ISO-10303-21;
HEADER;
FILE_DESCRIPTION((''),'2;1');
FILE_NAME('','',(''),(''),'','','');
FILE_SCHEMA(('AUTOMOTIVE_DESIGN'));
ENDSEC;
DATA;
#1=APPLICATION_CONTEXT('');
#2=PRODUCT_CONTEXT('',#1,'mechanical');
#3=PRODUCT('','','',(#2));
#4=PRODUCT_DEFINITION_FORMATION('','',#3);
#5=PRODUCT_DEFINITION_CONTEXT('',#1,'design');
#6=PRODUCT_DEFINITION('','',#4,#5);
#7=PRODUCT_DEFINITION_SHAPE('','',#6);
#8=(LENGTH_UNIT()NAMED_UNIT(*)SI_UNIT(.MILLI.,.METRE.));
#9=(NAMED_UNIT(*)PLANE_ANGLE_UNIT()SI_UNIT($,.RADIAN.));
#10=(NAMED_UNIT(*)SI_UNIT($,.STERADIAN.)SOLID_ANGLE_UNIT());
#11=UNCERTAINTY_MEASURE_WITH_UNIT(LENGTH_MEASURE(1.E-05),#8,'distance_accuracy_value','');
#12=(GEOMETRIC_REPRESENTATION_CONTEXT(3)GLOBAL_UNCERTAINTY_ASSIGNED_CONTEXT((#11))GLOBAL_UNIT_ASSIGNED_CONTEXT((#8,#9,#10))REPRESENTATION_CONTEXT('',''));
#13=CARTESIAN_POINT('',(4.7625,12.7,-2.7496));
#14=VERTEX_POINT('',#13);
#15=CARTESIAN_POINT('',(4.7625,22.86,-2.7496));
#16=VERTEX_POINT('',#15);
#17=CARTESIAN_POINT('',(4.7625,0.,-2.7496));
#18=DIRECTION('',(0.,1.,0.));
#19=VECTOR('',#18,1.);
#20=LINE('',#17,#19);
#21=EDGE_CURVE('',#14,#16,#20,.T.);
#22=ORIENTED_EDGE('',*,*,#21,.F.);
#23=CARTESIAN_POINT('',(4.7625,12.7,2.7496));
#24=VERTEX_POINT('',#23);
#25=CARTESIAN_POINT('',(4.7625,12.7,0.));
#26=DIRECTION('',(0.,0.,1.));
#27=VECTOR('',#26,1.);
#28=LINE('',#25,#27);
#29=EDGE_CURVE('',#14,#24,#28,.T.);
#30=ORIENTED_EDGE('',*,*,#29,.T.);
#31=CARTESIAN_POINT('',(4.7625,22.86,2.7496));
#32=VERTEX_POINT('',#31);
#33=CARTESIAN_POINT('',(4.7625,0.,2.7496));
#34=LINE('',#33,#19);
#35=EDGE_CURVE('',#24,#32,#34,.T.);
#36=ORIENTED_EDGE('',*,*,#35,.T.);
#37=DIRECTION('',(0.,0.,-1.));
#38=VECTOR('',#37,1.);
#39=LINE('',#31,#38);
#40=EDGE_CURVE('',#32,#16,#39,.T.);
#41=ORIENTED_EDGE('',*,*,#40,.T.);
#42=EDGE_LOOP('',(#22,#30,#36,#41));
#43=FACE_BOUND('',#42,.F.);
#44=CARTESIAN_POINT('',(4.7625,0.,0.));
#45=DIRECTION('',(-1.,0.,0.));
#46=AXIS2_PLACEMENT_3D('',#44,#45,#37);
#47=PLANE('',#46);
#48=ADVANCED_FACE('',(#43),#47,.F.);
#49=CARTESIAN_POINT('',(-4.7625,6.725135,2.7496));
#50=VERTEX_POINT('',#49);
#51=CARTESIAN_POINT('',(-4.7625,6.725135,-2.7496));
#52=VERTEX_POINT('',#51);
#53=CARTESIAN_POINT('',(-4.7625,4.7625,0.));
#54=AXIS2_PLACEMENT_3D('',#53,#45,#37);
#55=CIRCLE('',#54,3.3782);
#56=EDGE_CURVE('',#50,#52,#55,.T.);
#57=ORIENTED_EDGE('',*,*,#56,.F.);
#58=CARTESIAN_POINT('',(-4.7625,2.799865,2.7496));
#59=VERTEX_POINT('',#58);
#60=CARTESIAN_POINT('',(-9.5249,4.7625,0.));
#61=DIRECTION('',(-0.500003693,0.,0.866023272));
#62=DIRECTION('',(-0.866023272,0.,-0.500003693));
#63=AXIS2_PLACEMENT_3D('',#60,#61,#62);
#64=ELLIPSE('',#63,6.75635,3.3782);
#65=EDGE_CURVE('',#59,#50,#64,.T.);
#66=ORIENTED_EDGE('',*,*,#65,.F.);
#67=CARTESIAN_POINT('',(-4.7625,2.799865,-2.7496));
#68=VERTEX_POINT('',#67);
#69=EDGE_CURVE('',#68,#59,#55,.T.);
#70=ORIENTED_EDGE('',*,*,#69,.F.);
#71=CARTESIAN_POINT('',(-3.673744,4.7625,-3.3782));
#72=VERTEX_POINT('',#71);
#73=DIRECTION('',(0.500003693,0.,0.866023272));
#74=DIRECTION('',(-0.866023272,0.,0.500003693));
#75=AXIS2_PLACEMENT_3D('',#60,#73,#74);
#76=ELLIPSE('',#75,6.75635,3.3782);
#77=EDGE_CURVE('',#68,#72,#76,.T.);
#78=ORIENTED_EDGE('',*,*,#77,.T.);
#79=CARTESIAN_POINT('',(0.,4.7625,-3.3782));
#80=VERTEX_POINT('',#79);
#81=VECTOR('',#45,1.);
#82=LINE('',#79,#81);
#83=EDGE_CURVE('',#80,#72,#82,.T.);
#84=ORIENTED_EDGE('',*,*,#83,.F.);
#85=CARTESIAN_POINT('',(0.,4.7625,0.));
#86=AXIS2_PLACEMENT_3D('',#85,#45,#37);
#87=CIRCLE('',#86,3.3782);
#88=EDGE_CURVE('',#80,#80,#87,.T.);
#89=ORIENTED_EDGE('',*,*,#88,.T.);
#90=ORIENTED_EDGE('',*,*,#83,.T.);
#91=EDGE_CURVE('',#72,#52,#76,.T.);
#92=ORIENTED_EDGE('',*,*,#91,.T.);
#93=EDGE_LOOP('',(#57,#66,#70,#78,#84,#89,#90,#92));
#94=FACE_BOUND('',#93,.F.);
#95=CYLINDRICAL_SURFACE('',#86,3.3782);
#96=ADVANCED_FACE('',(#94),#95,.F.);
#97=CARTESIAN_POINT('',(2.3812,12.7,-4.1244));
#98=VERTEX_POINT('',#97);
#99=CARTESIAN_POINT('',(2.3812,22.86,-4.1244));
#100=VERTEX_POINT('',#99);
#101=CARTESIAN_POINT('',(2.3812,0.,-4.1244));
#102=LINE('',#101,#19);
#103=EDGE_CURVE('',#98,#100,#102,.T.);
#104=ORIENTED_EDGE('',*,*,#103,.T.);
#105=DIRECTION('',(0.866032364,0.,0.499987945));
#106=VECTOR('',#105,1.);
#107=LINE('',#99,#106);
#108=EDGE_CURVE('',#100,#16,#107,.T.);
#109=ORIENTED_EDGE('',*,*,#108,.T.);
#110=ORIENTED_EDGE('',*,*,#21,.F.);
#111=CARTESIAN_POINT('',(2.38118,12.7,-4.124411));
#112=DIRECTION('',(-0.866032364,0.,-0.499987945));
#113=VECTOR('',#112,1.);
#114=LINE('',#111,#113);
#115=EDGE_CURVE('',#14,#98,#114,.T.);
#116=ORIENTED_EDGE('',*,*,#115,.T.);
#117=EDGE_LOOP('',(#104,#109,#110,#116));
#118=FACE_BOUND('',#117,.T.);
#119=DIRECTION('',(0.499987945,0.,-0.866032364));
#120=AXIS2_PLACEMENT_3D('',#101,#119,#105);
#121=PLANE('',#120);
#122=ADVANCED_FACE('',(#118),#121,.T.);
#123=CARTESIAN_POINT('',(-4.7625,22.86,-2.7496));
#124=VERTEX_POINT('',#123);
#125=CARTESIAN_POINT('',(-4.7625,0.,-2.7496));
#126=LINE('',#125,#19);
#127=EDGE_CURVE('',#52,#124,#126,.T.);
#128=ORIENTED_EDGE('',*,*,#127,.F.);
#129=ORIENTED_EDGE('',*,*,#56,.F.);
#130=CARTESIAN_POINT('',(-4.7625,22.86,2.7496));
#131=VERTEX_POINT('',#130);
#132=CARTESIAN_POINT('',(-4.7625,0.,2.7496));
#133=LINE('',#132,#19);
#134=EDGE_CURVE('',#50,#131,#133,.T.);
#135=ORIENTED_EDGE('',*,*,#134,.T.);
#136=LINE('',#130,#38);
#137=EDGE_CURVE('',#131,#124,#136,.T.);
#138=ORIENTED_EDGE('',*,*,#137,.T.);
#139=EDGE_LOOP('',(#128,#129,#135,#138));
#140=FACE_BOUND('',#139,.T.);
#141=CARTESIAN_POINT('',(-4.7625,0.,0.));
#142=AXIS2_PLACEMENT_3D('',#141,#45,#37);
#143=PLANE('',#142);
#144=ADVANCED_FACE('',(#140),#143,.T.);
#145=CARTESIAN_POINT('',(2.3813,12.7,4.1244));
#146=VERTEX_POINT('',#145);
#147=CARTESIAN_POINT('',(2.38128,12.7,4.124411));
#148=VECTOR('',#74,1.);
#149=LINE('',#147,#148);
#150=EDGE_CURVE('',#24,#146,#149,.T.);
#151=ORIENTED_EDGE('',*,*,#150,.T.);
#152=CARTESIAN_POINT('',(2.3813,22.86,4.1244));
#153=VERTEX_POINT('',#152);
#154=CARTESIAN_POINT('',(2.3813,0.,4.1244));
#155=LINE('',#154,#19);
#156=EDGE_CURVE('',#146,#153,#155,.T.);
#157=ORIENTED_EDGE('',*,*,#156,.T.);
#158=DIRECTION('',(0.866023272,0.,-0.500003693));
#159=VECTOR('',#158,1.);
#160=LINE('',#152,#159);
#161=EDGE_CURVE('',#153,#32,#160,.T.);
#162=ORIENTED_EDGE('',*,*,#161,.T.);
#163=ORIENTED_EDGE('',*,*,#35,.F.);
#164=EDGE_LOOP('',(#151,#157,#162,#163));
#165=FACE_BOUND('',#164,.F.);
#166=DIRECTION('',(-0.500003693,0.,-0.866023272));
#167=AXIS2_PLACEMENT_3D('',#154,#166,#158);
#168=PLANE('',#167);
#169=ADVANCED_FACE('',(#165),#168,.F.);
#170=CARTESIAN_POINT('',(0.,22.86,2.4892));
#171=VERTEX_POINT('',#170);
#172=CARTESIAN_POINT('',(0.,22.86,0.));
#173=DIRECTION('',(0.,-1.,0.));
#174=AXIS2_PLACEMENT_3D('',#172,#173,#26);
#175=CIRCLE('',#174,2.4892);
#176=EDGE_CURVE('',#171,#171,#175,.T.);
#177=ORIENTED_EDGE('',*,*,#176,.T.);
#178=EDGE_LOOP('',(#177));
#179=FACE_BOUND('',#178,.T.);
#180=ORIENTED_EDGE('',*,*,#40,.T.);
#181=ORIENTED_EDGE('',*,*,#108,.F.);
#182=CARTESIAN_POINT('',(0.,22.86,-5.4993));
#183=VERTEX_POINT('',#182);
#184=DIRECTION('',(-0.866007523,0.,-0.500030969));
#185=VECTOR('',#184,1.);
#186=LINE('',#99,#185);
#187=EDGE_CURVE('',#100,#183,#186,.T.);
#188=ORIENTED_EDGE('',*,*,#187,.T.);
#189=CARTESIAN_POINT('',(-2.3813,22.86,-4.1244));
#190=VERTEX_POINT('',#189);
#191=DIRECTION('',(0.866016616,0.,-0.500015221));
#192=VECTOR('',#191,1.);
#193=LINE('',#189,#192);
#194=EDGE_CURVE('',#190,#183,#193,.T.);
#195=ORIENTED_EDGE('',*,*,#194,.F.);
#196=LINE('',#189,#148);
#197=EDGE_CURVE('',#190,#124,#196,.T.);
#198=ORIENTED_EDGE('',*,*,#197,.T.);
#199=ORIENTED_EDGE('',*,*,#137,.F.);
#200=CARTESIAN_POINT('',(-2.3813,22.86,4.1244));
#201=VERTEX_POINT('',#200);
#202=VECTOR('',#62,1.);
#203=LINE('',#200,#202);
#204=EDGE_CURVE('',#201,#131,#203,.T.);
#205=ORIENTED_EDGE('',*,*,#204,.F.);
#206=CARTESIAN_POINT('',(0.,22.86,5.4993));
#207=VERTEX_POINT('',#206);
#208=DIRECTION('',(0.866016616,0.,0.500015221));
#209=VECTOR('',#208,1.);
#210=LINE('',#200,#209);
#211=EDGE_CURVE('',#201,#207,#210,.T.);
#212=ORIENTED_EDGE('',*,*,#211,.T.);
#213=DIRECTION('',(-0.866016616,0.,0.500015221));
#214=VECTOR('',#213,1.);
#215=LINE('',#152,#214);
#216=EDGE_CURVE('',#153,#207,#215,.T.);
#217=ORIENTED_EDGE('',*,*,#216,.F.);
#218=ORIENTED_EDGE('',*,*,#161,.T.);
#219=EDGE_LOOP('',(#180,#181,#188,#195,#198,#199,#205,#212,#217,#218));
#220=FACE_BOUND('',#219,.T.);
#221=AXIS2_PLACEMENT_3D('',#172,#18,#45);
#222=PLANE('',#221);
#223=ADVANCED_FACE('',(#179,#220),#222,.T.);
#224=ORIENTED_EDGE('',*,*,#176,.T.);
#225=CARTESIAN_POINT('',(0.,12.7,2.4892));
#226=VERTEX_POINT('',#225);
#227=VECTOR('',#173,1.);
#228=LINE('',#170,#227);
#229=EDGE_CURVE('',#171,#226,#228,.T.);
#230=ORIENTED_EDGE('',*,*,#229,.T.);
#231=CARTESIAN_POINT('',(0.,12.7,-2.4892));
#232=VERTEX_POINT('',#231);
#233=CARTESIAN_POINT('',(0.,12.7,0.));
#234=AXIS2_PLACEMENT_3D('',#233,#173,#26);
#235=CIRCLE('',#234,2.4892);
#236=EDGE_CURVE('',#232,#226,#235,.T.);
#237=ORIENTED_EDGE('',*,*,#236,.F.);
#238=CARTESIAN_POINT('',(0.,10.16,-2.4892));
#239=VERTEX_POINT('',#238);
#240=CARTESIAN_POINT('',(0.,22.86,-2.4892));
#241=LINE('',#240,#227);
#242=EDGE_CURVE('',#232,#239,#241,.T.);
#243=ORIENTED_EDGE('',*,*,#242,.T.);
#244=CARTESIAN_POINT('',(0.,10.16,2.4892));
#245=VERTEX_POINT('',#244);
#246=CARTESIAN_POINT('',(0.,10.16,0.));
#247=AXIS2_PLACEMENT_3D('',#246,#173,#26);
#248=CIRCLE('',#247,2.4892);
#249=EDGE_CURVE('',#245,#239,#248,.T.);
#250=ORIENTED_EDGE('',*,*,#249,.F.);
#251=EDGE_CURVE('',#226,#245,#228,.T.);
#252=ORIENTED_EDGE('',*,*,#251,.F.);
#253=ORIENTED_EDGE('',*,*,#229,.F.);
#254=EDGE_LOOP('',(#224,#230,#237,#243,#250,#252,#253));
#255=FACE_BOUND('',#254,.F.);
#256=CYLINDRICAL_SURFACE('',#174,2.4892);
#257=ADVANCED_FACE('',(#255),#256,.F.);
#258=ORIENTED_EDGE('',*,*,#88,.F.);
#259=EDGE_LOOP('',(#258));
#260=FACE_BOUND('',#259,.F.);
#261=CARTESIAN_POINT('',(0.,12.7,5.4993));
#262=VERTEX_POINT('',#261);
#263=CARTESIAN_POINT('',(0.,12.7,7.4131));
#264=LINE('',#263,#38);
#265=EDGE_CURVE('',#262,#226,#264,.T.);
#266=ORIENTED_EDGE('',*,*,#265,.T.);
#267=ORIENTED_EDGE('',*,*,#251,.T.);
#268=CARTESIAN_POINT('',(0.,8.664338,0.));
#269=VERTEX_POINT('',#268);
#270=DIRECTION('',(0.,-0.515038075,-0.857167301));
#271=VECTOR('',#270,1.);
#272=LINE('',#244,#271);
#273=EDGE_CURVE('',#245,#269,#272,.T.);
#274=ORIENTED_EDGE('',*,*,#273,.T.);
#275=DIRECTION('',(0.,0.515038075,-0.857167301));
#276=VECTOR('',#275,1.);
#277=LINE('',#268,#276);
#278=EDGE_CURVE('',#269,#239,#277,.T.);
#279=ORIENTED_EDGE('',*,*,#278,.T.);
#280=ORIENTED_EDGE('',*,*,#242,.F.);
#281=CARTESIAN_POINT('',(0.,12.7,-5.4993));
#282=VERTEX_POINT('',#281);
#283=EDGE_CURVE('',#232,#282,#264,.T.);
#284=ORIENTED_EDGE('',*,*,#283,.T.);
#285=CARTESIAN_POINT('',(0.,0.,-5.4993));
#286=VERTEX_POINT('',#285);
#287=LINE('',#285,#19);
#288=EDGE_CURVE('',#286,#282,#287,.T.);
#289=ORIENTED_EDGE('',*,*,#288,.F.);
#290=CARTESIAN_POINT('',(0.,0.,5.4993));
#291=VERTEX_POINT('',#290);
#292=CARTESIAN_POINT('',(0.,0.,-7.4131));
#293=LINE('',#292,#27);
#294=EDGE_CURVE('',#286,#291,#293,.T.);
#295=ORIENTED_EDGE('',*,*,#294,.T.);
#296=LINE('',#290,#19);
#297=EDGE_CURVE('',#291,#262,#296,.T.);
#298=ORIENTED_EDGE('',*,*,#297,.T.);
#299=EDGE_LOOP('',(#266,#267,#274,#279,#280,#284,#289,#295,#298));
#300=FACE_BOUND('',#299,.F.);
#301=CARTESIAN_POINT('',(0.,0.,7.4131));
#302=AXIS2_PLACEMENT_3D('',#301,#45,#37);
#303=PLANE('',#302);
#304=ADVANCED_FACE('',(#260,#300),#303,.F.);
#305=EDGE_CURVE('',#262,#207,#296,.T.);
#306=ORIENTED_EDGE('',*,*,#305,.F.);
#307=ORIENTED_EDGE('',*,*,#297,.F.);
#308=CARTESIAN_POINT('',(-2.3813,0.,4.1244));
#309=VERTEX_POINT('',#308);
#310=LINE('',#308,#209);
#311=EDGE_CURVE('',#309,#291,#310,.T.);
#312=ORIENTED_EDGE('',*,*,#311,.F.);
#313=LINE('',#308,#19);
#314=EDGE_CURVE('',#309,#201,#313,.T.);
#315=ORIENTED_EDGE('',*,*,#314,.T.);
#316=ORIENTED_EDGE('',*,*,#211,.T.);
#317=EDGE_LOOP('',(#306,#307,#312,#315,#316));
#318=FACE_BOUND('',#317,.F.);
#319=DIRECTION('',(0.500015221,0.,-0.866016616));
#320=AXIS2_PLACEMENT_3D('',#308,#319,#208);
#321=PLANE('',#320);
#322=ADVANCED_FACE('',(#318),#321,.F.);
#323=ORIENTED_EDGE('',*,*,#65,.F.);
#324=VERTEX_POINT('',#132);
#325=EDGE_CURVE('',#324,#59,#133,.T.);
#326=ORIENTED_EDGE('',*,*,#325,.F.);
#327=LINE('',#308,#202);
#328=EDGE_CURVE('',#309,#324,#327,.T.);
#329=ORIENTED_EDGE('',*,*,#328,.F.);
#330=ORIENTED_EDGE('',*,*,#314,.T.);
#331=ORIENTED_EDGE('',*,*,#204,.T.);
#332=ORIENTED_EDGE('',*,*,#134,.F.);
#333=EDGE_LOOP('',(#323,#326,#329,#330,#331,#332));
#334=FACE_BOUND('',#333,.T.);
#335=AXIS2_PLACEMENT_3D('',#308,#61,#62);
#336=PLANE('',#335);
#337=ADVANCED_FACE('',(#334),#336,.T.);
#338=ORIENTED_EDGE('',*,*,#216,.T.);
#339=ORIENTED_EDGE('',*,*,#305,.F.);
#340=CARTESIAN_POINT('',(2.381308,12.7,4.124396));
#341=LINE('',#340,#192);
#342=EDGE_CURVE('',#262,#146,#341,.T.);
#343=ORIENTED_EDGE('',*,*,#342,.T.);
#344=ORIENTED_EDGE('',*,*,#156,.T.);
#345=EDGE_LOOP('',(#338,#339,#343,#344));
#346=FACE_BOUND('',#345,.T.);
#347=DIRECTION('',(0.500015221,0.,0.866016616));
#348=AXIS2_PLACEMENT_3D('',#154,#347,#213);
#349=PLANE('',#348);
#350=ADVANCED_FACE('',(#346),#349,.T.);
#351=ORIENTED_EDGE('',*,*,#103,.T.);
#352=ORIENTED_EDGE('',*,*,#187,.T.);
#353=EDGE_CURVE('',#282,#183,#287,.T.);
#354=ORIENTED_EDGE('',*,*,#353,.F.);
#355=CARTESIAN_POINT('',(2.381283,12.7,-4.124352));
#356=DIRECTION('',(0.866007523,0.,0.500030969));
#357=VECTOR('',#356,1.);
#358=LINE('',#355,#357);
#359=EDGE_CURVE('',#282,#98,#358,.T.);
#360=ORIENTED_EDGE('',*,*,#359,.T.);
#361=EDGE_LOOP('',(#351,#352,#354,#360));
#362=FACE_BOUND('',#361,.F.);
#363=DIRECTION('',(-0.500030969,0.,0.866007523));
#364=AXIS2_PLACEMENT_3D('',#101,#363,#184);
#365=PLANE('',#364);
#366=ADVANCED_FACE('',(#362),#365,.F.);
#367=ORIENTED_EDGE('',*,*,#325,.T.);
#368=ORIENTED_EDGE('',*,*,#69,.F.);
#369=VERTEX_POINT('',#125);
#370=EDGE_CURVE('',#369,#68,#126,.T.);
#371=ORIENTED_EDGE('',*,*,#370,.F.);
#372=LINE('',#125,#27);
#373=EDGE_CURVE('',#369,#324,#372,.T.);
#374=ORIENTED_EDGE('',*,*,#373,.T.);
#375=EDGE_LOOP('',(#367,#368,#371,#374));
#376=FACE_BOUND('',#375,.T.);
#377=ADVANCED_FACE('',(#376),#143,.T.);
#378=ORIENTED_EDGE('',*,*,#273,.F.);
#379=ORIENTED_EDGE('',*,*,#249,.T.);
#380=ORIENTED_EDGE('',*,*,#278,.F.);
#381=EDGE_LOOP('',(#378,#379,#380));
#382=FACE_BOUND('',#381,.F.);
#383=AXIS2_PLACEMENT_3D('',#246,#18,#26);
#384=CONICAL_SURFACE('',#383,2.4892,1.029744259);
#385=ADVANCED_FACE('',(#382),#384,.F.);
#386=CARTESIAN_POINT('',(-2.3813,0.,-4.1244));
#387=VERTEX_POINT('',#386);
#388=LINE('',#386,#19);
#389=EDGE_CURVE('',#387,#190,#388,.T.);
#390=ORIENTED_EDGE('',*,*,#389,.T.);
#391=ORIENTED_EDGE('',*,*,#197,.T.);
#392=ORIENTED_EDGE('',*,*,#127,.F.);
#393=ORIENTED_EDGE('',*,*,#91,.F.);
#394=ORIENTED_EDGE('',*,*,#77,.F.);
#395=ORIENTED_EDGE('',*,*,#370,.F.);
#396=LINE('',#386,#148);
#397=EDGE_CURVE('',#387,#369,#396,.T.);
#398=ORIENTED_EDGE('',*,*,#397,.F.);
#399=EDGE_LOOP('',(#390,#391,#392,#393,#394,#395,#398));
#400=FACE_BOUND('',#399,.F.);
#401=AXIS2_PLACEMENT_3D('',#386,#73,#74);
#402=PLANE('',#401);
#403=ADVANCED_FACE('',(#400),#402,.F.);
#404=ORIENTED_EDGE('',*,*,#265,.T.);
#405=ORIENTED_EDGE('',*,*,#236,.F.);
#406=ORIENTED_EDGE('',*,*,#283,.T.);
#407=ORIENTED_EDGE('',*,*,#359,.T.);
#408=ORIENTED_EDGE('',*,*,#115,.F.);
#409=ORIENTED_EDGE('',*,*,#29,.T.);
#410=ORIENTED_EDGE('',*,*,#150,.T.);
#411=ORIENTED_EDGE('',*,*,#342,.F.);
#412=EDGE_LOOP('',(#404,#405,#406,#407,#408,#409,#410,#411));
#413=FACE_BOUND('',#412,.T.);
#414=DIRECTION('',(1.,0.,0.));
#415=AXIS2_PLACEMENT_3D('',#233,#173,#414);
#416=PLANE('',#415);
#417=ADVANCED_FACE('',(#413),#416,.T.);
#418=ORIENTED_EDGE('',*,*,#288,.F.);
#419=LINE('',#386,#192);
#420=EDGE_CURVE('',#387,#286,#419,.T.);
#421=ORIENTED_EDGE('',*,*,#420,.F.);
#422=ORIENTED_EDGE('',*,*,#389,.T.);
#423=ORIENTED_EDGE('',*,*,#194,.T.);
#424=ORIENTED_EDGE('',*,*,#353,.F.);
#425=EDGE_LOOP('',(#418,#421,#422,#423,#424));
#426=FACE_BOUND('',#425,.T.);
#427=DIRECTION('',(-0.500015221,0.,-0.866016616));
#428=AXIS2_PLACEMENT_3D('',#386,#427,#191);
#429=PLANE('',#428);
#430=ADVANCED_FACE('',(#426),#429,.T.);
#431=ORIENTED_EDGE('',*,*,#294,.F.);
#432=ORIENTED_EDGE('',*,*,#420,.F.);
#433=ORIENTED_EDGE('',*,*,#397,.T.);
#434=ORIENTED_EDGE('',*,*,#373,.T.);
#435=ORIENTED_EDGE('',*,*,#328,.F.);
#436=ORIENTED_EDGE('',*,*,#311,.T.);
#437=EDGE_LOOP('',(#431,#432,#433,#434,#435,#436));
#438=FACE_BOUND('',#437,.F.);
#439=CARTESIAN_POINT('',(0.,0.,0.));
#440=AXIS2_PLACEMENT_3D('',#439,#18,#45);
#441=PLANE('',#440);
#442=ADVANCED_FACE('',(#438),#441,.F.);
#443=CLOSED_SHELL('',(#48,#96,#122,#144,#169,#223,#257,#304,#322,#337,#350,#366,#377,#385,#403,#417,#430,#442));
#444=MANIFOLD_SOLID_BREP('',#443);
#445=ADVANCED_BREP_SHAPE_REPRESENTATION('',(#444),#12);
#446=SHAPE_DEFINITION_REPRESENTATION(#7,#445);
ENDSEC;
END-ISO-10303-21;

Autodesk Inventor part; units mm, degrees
ref_plane "YZ Plane" through (0, 0, 0) normal (1, 0, 0) x (0, 1, 0)
ref_plane "XZ Plane" through (0, 0, 0) normal (0, 1, 0) x (-1, 0, 0)
ref_plane "XY Plane" through (0, 0, 0) normal (0, 0, 1) x (1, 0, 0)
sketch "Sketch1" plane through (0, 0, 0) normal (0, 1, 0) x (-1, 0, 0)
  line L0 (0, 0) -> (4.7625, 0)
  line L1 (4.7625, 0) -> (4.7625, -2.7496)
  line L2 (4.7625, 0) -> (7.5121, 0) construction
  line L3 (4.7625, 0) -> (4.7625, 2.7496)
  line L4 (2.3813, 4.1244) -> (0, 5.4993)
  line L5 (2.3813, 4.1244) -> (4.7625, 2.7496)
  line L6 (-2.3813, 4.1244) -> (-4.7625, 2.7496)
  line L7 (-2.3813, 4.1244) -> (0, 5.4993)
  line L8 (-4.7625, 0) -> (-4.7625, -2.7496)
  line L9 (-4.7625, 0) -> (-4.7625, 2.7496)
  line L10 (-2.3812, -4.1244) -> (0, -5.4993)
  line L11 (-2.3812, -4.1244) -> (-4.7625, -2.7496)
  line L12 (2.3813, -4.1244) -> (4.7625, -2.7496)
  line L13 (2.3813, -4.1244) -> (0, -5.4993)
  line L14 (4.7625, 2.7496) -> (4.7625, -2.7496)
  line L15 (4.7625, -2.7496) -> (0, -5.4993)
  line L16 (0, -5.4993) -> (-4.7625, -2.7496)
  line L17 (-4.7625, -2.7496) -> (-4.7625, 2.7496)
  line L18 (-4.7625, 2.7496) -> (0, 5.4993)
  line L19 (4.7625, 2.7496) -> (0, 5.4993)
  dimension "d0" = 4.7625
  dimension "d1" = 90
  dimension "d4" = 360
extrude "Extrusion1" add sketch "Sketch1" along normal blind 22.86
sketch "Sketch2" plane through (0, 22.86, 0) normal (0, 1, 0) x (1, 0, 0)
  point P0 (0, 0)
  point P1 (0, 0)
hole "Hole1" at (0, 22.86, 0) direction (0, -1, 0) diameter 4.9784 depth 12.7 tip angle 118 thread size "1/4-20 UNC" class "2B" standard "ANSI Unified Screw Threads"
sketch "Sketch3" plane through (0, 0, 0) normal (0, -1, 0) x (1, 0, 0)
  line L0 (0, 0) -> (9.2843, 0)
  line L1 (9.2843, 0) -> (9.2843, -7.4131)
  line L2 (9.2843, -7.4131) -> (0, -7.4131)
  line L3 (0, -7.4131) -> (0, 0)
  line L4 (9.2843, 0) -> (9.2843, 7.4131)
  line L5 (9.2843, 7.4131) -> (0, 7.4131)
  line L6 (0, 7.4131) -> (0, 0)
extrude "Extrusion2" cut sketch "Sketch3" against normal blind 12.7
sketch "Sketch5" plane through (0, 0, 5.4993) normal (1, 0, 0) x (0, 0, -1)
  line L0 (10.9985, 0) -> (10.9985, 12.7) projected
  line L1 (0, 0) -> (0, 12.7) projected
  line L2 (5.4993, 0) -> (5.4993, 4.7625)
  circle A0 centre (5.4993, 4.7625) radius 3.3782
  dimension "d17" = 4.7625
  dimension "d18" = 6.7564
hole "Hole2" at (0, 4.7625, 0) direction (-1, 0, 0) diameter 6.7564 end through all clearance for "Flat Head Machine Screw (82)" size "1/4" standard "Ansi Unified Screw Threads"
sketch "Sketch7" plane through (0, 0, 5.4993) normal (1, 0, 0) x (0, 0, -1)
  arc A0 (2.7496, 2.7999) -> (8.2489, 2.7999) centre (5.4993, 4.7625) ccw projected
  line L0 (10.9985, 0) -> (10.9985, 12.7) projected
  circle A1 centre (5.4993, 4.7625) radius 7.2748
  point P0 (5.4993, 0)
properties part number "feet type 3 part 1 hexagon stock"
